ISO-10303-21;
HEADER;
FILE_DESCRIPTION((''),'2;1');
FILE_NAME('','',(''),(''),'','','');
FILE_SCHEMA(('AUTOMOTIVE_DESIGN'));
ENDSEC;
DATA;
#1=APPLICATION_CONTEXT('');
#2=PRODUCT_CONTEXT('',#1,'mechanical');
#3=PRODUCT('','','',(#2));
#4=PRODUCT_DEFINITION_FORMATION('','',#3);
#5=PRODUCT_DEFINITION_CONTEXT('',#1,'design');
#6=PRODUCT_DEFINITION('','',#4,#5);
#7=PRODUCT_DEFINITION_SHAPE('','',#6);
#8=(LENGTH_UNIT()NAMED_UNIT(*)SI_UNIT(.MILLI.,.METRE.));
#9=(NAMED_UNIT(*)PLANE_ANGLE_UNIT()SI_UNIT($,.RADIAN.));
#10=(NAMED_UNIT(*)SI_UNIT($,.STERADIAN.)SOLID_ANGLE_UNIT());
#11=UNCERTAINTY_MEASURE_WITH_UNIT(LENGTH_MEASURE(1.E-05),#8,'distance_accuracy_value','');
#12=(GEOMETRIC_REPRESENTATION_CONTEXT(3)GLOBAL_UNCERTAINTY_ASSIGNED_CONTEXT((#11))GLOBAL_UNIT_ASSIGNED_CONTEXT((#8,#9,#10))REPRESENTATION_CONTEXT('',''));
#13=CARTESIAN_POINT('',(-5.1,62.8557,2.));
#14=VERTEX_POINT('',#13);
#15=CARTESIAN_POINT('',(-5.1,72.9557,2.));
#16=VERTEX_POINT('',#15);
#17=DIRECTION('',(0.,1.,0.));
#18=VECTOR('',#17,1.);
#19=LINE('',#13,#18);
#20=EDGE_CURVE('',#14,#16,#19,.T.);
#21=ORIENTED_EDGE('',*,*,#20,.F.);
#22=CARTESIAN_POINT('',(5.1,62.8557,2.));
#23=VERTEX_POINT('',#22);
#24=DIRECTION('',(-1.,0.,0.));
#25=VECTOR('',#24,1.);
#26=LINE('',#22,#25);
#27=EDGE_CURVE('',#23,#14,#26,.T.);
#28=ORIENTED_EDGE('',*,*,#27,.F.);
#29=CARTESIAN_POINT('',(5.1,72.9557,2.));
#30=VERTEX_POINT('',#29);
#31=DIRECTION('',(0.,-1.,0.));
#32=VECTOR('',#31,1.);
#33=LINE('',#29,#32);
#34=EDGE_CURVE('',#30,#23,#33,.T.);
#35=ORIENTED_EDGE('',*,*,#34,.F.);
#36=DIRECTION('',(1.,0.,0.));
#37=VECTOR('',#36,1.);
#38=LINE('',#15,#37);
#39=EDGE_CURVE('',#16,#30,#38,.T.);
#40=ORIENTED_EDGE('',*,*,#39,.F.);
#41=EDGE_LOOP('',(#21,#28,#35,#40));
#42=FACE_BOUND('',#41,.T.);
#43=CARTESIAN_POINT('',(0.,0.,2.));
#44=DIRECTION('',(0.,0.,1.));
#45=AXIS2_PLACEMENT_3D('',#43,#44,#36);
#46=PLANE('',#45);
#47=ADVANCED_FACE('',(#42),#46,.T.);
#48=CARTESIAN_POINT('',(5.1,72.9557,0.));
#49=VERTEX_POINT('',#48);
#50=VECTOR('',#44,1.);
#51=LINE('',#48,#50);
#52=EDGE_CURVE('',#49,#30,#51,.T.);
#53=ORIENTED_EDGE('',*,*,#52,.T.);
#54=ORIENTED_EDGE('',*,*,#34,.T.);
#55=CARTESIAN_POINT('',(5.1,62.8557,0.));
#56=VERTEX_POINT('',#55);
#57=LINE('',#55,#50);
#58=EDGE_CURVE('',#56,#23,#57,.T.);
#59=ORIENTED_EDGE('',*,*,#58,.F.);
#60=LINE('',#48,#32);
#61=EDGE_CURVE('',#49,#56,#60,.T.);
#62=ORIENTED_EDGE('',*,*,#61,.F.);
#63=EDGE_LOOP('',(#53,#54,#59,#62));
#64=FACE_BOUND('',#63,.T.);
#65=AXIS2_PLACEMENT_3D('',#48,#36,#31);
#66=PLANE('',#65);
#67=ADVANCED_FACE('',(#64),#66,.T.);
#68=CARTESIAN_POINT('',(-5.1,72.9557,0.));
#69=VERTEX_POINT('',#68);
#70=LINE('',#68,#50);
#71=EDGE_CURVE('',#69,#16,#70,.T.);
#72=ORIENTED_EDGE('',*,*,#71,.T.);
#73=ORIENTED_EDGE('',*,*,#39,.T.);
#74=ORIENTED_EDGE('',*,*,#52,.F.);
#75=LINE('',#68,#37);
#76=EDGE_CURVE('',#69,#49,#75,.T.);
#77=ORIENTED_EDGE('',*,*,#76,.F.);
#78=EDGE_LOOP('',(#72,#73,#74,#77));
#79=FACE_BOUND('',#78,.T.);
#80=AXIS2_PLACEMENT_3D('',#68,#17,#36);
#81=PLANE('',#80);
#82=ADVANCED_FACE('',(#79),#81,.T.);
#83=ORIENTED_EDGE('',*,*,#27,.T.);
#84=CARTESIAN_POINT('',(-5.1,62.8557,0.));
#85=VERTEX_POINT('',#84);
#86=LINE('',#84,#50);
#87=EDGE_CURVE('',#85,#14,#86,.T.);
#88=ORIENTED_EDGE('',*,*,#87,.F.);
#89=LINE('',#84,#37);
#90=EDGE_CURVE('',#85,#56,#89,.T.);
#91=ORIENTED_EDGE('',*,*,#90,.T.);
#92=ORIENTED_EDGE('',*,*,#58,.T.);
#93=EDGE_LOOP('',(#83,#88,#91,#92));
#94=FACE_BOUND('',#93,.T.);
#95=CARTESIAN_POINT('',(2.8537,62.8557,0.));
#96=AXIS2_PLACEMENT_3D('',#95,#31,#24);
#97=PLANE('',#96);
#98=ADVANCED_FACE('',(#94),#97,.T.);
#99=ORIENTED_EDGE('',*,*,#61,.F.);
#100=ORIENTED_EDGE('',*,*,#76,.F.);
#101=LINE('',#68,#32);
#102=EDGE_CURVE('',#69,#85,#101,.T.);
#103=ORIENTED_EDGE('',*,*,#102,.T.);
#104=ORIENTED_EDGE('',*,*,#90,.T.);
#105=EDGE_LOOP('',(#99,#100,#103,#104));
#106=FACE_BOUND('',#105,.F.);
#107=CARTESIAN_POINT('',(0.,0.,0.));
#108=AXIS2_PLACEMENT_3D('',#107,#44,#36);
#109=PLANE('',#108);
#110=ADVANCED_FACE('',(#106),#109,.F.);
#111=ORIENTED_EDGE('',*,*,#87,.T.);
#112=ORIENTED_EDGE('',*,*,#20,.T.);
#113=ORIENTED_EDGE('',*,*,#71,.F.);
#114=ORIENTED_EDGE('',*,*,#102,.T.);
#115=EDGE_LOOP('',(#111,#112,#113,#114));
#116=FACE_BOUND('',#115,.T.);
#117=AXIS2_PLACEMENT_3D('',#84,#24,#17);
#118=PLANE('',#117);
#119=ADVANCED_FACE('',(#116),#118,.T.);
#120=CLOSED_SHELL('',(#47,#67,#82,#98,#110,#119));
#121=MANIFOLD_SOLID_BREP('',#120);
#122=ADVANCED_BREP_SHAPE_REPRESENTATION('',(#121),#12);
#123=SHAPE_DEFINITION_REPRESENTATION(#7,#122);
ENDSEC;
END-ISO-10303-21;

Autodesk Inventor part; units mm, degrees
ref_plane "YZ Plane" through (0, 0, 0) normal (1, 0, 0) x (0, 1, 0)
ref_plane "XZ Plane" through (0, 0, 0) normal (0, 1, 0) x (-1, 0, 0)
ref_plane "XY Plane" through (0, 0, 0) normal (0, 0, 1) x (1, 0, 0)
sketch "Skizze1" plane through (0, 0, 0) normal (0, 0, 1) x (1, 0, 0)
  line L0 (2.8537, 62.8557) -> (-11.3867, 62.8557) projected
  line L1 (-8.4337, 63.8875) -> (2.8537, 63.8875) projected
  line L2 (2.8537, 63.8875) -> (2.8537, 62.8557) projected
  line L3 (5.1, 52.7557) -> (-5.1, 52.7557)
  line L4 (-5.1, 52.7557) -> (-5.1, 72.9557)
  line L5 (-5.1, 72.9557) -> (5.1, 72.9557)
  line L6 (5.1, 72.9557) -> (5.1, 52.7557)
  line L7 (5.1, 52.7557) -> (-5.1, 72.9557) construction
  line L8 (-5.1, 52.7557) -> (5.1, 72.9557) construction
  line L9 (5.1, 62.8557) -> (-5.1, 62.8557)
  point P0 (0, 0)
  point P1 (0, 62.8557)
extrude "Extrusion1" add sketch "Skizze1" along normal blind 2 contours L0 L4 L1 L2 | L2 L1 L4 L5 L6 L9
properties part number "forearm_plate" material "Nylon 6/6"
